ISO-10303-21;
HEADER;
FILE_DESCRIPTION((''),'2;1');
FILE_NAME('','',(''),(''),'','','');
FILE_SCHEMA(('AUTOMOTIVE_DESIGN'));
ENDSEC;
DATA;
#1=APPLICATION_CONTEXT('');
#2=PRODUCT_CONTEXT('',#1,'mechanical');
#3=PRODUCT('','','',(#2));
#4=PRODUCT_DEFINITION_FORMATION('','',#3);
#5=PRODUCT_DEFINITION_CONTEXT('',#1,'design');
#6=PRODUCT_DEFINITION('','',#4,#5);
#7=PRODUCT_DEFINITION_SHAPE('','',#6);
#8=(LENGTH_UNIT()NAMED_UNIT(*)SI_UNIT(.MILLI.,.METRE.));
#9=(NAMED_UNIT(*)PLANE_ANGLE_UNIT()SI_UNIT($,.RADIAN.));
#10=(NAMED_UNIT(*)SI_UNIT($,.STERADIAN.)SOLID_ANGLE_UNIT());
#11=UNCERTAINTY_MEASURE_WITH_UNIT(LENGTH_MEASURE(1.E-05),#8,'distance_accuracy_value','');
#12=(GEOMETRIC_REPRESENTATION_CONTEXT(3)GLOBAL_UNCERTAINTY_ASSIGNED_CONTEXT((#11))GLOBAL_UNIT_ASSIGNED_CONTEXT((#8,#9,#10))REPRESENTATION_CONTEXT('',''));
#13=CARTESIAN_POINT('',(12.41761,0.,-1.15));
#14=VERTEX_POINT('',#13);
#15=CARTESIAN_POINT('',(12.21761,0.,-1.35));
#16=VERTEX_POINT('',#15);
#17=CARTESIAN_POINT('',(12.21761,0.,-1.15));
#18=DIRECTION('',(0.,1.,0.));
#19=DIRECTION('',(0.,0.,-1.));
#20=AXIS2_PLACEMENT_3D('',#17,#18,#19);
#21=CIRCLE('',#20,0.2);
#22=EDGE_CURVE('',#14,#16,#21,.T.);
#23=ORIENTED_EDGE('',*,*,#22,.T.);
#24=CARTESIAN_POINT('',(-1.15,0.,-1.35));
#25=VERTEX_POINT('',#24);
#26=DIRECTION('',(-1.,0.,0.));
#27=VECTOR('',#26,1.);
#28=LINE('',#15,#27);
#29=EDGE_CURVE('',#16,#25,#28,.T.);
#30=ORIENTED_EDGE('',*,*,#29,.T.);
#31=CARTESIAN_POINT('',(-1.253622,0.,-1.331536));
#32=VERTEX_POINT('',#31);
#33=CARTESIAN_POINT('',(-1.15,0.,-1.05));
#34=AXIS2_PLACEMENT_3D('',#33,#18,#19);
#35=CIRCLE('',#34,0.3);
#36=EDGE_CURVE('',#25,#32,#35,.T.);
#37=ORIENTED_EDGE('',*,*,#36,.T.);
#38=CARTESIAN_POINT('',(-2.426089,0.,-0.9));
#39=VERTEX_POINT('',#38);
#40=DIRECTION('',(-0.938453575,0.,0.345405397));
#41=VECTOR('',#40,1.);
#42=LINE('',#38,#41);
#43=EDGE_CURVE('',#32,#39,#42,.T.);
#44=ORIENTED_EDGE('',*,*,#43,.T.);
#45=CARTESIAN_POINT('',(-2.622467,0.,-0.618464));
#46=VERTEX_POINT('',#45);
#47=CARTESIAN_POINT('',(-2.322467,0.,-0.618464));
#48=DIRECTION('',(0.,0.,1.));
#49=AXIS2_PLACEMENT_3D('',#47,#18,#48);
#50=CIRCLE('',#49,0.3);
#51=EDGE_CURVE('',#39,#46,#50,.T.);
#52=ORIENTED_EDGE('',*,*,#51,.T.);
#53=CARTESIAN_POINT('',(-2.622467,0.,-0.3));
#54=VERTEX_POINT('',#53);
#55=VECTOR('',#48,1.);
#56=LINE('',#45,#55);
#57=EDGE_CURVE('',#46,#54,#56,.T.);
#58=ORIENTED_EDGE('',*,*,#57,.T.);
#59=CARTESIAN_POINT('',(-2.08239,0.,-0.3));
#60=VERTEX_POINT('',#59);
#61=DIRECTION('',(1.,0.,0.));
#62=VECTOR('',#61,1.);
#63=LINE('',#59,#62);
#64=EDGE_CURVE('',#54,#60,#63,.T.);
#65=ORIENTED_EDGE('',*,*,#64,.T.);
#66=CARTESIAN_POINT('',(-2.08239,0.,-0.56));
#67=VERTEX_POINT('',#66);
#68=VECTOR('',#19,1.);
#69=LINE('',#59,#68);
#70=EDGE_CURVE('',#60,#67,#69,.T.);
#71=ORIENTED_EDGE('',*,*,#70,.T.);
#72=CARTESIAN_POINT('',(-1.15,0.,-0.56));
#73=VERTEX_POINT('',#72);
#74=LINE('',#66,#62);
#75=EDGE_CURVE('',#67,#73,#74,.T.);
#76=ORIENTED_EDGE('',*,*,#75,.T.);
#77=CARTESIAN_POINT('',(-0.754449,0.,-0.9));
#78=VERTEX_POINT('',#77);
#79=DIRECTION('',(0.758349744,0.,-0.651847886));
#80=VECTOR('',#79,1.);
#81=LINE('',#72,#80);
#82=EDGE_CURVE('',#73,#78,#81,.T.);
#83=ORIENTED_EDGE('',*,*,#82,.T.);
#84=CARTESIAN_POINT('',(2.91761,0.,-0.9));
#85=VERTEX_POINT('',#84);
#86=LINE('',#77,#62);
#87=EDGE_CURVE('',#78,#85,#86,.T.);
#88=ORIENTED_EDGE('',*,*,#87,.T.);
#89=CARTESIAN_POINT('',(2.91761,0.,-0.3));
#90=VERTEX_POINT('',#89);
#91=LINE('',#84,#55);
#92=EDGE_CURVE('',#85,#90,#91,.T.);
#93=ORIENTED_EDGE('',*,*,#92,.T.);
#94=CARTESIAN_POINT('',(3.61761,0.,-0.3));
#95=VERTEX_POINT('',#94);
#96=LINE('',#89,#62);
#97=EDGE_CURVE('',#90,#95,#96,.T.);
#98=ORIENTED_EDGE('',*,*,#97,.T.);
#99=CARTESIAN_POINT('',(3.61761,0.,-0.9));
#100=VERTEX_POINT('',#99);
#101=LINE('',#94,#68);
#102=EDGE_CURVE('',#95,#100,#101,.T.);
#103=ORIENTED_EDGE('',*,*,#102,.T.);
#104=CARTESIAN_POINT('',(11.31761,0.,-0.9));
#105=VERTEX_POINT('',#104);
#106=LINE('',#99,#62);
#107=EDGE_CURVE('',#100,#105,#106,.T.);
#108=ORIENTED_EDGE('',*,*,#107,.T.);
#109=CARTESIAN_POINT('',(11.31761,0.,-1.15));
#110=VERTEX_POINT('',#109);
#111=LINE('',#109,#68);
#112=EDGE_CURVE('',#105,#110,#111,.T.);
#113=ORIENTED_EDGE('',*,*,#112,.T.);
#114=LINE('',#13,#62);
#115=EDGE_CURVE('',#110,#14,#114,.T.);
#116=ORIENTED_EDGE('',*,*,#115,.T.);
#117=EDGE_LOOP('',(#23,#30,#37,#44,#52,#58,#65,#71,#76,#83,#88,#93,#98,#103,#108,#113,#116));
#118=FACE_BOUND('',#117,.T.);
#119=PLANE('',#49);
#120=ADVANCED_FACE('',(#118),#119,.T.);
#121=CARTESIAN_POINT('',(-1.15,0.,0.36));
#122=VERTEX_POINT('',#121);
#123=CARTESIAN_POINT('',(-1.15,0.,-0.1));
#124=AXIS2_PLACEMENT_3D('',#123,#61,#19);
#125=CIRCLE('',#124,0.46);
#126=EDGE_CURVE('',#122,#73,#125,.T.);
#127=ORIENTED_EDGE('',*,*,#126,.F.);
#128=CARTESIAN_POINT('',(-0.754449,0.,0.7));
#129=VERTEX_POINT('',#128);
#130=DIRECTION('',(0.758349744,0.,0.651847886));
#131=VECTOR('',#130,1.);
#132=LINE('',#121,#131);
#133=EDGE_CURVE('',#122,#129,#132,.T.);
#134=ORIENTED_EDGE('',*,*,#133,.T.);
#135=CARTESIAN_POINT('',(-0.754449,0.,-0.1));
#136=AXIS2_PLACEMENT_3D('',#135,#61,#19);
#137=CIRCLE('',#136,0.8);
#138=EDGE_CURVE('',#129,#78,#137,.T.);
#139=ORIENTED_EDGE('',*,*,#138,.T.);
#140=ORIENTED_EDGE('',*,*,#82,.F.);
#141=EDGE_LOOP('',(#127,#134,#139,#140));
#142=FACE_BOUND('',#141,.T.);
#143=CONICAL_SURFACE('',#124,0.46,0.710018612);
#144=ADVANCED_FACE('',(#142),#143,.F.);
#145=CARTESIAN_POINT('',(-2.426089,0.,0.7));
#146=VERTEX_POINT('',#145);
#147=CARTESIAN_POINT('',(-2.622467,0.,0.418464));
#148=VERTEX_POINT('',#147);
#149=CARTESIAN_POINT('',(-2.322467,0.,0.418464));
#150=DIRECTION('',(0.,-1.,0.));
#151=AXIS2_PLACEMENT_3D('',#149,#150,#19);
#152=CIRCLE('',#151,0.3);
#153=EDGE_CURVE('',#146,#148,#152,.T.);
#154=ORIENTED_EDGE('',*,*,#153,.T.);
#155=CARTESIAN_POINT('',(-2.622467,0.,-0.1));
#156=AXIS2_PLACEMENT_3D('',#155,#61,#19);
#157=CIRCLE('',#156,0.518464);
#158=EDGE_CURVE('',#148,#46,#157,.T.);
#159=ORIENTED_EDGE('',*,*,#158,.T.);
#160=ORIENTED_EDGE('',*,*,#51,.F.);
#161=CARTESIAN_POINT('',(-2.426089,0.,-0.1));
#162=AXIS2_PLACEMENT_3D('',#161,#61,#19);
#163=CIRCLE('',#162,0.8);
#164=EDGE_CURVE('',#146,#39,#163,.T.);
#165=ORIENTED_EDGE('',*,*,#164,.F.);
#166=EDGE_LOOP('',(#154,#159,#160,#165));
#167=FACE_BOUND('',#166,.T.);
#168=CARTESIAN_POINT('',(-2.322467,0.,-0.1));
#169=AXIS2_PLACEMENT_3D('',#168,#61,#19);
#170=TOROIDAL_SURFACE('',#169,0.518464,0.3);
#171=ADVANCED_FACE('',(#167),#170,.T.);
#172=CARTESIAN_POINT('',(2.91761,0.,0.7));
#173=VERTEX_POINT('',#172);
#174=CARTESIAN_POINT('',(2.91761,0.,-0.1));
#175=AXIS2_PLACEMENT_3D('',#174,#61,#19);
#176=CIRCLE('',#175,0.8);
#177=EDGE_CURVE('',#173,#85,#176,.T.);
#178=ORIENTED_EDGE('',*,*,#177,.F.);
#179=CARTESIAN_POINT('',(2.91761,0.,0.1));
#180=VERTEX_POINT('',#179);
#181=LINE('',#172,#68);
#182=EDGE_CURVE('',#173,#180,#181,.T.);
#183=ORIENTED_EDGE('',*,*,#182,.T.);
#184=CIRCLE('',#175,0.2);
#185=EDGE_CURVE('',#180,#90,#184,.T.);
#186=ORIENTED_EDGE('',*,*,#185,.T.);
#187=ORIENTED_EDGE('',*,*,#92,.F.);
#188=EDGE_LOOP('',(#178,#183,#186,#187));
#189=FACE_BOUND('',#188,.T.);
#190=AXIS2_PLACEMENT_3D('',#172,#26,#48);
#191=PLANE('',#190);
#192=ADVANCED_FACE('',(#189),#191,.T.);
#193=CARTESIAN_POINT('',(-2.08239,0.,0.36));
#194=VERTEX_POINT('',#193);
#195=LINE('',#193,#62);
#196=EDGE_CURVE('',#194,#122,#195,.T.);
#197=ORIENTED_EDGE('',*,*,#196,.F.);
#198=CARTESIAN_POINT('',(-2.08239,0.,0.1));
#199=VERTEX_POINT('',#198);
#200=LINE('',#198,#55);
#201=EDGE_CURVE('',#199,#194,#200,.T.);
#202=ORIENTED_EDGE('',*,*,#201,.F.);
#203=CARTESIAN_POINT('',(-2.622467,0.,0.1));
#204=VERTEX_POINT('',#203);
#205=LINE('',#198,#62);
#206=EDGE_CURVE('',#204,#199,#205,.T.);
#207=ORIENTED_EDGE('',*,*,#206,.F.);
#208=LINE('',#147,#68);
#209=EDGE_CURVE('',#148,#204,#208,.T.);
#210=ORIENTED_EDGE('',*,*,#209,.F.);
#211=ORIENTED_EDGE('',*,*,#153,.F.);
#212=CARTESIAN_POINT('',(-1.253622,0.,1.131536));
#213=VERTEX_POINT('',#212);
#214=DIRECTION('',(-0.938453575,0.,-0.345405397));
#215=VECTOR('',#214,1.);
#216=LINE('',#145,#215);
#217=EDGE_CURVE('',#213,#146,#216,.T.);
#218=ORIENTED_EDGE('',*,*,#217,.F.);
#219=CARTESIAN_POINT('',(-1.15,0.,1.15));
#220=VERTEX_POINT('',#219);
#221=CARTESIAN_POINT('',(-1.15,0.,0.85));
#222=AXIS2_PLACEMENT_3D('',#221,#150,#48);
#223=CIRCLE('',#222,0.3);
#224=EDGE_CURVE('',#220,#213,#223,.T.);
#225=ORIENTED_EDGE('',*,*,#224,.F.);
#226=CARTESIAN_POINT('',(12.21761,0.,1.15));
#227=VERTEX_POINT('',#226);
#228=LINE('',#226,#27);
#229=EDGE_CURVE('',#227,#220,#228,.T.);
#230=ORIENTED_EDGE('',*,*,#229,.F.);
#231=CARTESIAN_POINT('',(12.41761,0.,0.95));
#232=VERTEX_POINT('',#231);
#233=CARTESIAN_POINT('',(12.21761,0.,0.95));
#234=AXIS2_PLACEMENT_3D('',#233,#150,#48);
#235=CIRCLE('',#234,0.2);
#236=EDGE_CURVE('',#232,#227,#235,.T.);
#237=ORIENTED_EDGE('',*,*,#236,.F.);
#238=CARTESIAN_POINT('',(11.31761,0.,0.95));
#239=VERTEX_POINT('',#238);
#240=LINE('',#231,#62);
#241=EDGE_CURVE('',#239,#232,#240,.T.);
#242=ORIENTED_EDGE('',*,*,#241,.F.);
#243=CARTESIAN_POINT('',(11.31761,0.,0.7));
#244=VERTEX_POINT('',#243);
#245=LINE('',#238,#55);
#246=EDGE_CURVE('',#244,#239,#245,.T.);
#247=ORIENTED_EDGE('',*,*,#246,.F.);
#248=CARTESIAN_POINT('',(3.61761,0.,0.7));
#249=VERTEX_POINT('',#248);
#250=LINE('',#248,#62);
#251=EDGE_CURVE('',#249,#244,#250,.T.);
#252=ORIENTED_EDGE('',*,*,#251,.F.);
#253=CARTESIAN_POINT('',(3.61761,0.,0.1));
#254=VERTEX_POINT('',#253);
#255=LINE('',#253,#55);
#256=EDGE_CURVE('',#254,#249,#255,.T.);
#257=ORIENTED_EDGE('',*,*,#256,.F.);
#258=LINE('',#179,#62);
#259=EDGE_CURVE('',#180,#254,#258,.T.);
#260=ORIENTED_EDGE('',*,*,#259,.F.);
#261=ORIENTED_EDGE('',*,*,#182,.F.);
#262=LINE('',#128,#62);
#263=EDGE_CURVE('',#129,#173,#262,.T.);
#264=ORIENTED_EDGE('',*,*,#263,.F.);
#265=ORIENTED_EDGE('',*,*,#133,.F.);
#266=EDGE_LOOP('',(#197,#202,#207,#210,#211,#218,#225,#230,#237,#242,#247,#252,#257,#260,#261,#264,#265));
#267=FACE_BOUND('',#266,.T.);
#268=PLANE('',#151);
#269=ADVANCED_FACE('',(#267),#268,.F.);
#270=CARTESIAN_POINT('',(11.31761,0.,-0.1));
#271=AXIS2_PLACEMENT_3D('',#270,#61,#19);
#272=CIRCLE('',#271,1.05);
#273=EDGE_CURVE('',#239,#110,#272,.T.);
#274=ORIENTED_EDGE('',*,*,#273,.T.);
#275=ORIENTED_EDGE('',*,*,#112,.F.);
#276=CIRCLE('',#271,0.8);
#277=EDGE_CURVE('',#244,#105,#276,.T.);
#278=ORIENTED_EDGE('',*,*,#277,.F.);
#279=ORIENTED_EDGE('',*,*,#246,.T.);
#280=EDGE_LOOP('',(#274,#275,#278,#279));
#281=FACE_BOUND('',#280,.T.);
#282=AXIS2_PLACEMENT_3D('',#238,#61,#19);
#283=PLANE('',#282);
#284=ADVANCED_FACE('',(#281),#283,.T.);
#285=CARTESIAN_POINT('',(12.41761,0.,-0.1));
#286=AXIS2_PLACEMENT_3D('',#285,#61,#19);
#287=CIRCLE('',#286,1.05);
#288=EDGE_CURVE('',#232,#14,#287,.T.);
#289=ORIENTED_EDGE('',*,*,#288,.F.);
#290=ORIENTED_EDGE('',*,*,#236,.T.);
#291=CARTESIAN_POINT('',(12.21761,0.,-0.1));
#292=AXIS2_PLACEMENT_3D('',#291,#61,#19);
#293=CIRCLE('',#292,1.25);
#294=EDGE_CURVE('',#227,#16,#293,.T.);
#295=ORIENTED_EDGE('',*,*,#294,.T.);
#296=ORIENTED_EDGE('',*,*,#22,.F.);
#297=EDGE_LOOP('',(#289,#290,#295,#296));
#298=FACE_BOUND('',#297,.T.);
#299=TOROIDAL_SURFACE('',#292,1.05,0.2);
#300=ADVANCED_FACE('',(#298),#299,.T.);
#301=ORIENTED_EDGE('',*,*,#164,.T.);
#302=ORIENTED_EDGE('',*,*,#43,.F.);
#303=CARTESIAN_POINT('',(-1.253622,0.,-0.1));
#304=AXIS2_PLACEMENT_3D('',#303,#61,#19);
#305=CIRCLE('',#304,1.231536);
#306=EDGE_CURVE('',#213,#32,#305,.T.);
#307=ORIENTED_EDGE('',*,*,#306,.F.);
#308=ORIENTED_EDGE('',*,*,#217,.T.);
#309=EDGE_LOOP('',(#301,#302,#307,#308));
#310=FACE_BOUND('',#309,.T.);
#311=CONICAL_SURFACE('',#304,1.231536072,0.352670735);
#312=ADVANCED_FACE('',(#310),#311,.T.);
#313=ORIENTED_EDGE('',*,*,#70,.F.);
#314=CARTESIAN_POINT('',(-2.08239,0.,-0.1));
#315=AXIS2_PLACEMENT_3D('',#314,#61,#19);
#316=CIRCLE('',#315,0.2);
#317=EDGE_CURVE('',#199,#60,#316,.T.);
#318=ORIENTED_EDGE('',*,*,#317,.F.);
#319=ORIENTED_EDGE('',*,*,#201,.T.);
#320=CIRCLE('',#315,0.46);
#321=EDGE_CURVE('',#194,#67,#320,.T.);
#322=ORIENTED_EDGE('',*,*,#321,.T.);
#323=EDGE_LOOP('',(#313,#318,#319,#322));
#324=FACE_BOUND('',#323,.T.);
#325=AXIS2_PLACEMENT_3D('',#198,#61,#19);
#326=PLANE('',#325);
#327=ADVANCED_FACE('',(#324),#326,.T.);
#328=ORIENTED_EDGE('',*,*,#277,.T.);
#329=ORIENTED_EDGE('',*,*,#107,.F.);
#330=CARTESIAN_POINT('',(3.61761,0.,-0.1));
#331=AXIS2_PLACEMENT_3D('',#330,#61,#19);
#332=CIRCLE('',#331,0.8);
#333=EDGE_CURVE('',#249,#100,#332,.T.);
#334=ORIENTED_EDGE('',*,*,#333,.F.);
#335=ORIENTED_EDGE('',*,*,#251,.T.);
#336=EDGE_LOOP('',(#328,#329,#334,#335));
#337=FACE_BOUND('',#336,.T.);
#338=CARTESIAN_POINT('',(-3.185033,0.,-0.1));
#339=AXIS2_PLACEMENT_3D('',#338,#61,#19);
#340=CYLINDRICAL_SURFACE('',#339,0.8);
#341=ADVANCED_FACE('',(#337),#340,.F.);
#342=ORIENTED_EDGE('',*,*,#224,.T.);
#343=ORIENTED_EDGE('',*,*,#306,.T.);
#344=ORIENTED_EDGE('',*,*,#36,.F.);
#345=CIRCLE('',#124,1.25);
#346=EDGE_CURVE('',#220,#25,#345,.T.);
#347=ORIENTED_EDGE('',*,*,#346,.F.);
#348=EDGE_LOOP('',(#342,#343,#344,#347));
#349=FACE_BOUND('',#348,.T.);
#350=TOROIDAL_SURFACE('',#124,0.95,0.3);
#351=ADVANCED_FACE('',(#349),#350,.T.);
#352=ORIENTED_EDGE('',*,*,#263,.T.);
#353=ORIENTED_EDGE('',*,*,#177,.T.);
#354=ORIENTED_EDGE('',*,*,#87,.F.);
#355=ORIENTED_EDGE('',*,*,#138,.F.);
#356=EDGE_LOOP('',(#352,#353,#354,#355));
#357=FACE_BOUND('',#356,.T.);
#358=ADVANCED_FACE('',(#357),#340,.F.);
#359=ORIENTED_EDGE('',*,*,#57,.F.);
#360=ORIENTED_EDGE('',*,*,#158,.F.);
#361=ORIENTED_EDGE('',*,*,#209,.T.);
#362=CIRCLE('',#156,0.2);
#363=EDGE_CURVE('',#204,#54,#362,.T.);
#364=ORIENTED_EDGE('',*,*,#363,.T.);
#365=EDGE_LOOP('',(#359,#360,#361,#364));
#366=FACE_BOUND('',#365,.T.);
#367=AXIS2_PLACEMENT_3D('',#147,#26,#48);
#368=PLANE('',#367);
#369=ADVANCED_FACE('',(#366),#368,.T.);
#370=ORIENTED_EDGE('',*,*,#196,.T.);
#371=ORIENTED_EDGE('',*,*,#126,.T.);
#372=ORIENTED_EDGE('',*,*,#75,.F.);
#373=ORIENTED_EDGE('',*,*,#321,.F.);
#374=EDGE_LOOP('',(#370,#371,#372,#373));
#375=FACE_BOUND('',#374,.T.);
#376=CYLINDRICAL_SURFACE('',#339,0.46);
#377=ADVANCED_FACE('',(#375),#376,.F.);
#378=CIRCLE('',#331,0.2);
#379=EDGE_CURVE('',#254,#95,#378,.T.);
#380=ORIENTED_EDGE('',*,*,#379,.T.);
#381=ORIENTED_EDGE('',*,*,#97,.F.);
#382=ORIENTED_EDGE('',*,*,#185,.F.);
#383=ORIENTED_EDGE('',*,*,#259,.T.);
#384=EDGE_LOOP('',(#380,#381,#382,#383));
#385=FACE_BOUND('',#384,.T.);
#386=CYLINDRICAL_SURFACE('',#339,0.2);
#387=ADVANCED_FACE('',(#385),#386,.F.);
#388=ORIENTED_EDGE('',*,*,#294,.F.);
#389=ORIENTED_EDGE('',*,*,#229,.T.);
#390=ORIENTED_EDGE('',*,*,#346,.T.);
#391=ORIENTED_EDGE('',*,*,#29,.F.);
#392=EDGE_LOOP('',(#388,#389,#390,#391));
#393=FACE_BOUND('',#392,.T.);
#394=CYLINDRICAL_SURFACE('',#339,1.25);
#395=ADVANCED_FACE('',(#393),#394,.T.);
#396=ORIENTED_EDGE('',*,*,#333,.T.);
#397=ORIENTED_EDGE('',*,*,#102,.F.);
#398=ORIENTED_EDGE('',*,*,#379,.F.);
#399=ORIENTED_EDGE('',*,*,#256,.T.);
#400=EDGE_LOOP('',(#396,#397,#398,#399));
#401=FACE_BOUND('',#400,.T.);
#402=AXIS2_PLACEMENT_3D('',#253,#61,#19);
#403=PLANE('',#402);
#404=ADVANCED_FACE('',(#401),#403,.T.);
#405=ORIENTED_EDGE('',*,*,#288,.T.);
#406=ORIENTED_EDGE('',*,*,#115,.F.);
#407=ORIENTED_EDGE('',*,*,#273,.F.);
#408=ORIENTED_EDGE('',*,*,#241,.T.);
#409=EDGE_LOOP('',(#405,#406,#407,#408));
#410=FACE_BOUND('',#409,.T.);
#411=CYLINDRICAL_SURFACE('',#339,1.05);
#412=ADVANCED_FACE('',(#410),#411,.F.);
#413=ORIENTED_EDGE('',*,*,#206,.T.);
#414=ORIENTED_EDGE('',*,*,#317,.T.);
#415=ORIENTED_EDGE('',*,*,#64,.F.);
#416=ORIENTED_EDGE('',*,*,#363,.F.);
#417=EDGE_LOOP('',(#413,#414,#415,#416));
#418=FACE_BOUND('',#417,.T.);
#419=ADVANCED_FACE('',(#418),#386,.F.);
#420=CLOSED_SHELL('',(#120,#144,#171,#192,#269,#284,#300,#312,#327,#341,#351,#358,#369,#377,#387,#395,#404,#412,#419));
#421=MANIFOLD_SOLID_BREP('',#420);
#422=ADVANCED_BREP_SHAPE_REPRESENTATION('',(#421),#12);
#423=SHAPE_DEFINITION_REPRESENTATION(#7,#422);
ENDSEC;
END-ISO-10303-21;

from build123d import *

# Parameters (mm, degrees)
REVOLVE1_ANGLE = 180


with BuildPart() as part:
    # Sketch1 → Revolve1 (revolve)
    with BuildSketch(Plane(origin=(0, 0, 0), x_dir=(1, 0, 0), z_dir=(0, 1, 0))):
        with BuildLine():
            Line((-2.426089026, 0.9), (-1.253621619, 1.331536072))
            ThreePointArc((-1.253621619, 1.331536072), (-1.202626886, 1.345347949), (-1.15, 1.35))
            Line((-1.15, 1.35), (12.217609628, 1.35))
            ThreePointArc((12.217609628, 1.35), (12.359030984, 1.291421356), (12.417609628, 1.15))
            Line((12.417609628, 1.15), (11.317609628, 1.15))
            Line((11.317609628, 1.15), (11.317609628, 0.9))
            Line((11.317609628, 0.9), (3.617609628, 0.9))
            Line((3.617609628, 0.9), (3.617609628, 0.3))
            Line((3.617609628, 0.3), (2.917609628, 0.3))
            Line((2.917609628, 0.3), (2.917609628, 0.9))
            Line((2.917609628, 0.9), (-0.754449261, 0.9))
            Line((-0.754449261, 0.9), (-1.15, 0.56))
            Line((-1.15, 0.56), (-2.082390372, 0.56))
            Line((-2.082390372, 0.56), (-2.082390372, 0.3))
            Line((-2.082390372, 0.3), (-2.622467407, 0.3))
            Line((-2.622467407, 0.3), (-2.622467407, 0.618463928))
            ThreePointArc((-2.622467407, 0.618463928), (-2.568522772, 0.790093637), (-2.426089026, 0.9))
        make_face()
    revolve(axis=Axis((-3.185032955, 0, -0.1), (-1, 0, 0)), revolution_arc=REVOLVE1_ANGLE)


solid = part.part
